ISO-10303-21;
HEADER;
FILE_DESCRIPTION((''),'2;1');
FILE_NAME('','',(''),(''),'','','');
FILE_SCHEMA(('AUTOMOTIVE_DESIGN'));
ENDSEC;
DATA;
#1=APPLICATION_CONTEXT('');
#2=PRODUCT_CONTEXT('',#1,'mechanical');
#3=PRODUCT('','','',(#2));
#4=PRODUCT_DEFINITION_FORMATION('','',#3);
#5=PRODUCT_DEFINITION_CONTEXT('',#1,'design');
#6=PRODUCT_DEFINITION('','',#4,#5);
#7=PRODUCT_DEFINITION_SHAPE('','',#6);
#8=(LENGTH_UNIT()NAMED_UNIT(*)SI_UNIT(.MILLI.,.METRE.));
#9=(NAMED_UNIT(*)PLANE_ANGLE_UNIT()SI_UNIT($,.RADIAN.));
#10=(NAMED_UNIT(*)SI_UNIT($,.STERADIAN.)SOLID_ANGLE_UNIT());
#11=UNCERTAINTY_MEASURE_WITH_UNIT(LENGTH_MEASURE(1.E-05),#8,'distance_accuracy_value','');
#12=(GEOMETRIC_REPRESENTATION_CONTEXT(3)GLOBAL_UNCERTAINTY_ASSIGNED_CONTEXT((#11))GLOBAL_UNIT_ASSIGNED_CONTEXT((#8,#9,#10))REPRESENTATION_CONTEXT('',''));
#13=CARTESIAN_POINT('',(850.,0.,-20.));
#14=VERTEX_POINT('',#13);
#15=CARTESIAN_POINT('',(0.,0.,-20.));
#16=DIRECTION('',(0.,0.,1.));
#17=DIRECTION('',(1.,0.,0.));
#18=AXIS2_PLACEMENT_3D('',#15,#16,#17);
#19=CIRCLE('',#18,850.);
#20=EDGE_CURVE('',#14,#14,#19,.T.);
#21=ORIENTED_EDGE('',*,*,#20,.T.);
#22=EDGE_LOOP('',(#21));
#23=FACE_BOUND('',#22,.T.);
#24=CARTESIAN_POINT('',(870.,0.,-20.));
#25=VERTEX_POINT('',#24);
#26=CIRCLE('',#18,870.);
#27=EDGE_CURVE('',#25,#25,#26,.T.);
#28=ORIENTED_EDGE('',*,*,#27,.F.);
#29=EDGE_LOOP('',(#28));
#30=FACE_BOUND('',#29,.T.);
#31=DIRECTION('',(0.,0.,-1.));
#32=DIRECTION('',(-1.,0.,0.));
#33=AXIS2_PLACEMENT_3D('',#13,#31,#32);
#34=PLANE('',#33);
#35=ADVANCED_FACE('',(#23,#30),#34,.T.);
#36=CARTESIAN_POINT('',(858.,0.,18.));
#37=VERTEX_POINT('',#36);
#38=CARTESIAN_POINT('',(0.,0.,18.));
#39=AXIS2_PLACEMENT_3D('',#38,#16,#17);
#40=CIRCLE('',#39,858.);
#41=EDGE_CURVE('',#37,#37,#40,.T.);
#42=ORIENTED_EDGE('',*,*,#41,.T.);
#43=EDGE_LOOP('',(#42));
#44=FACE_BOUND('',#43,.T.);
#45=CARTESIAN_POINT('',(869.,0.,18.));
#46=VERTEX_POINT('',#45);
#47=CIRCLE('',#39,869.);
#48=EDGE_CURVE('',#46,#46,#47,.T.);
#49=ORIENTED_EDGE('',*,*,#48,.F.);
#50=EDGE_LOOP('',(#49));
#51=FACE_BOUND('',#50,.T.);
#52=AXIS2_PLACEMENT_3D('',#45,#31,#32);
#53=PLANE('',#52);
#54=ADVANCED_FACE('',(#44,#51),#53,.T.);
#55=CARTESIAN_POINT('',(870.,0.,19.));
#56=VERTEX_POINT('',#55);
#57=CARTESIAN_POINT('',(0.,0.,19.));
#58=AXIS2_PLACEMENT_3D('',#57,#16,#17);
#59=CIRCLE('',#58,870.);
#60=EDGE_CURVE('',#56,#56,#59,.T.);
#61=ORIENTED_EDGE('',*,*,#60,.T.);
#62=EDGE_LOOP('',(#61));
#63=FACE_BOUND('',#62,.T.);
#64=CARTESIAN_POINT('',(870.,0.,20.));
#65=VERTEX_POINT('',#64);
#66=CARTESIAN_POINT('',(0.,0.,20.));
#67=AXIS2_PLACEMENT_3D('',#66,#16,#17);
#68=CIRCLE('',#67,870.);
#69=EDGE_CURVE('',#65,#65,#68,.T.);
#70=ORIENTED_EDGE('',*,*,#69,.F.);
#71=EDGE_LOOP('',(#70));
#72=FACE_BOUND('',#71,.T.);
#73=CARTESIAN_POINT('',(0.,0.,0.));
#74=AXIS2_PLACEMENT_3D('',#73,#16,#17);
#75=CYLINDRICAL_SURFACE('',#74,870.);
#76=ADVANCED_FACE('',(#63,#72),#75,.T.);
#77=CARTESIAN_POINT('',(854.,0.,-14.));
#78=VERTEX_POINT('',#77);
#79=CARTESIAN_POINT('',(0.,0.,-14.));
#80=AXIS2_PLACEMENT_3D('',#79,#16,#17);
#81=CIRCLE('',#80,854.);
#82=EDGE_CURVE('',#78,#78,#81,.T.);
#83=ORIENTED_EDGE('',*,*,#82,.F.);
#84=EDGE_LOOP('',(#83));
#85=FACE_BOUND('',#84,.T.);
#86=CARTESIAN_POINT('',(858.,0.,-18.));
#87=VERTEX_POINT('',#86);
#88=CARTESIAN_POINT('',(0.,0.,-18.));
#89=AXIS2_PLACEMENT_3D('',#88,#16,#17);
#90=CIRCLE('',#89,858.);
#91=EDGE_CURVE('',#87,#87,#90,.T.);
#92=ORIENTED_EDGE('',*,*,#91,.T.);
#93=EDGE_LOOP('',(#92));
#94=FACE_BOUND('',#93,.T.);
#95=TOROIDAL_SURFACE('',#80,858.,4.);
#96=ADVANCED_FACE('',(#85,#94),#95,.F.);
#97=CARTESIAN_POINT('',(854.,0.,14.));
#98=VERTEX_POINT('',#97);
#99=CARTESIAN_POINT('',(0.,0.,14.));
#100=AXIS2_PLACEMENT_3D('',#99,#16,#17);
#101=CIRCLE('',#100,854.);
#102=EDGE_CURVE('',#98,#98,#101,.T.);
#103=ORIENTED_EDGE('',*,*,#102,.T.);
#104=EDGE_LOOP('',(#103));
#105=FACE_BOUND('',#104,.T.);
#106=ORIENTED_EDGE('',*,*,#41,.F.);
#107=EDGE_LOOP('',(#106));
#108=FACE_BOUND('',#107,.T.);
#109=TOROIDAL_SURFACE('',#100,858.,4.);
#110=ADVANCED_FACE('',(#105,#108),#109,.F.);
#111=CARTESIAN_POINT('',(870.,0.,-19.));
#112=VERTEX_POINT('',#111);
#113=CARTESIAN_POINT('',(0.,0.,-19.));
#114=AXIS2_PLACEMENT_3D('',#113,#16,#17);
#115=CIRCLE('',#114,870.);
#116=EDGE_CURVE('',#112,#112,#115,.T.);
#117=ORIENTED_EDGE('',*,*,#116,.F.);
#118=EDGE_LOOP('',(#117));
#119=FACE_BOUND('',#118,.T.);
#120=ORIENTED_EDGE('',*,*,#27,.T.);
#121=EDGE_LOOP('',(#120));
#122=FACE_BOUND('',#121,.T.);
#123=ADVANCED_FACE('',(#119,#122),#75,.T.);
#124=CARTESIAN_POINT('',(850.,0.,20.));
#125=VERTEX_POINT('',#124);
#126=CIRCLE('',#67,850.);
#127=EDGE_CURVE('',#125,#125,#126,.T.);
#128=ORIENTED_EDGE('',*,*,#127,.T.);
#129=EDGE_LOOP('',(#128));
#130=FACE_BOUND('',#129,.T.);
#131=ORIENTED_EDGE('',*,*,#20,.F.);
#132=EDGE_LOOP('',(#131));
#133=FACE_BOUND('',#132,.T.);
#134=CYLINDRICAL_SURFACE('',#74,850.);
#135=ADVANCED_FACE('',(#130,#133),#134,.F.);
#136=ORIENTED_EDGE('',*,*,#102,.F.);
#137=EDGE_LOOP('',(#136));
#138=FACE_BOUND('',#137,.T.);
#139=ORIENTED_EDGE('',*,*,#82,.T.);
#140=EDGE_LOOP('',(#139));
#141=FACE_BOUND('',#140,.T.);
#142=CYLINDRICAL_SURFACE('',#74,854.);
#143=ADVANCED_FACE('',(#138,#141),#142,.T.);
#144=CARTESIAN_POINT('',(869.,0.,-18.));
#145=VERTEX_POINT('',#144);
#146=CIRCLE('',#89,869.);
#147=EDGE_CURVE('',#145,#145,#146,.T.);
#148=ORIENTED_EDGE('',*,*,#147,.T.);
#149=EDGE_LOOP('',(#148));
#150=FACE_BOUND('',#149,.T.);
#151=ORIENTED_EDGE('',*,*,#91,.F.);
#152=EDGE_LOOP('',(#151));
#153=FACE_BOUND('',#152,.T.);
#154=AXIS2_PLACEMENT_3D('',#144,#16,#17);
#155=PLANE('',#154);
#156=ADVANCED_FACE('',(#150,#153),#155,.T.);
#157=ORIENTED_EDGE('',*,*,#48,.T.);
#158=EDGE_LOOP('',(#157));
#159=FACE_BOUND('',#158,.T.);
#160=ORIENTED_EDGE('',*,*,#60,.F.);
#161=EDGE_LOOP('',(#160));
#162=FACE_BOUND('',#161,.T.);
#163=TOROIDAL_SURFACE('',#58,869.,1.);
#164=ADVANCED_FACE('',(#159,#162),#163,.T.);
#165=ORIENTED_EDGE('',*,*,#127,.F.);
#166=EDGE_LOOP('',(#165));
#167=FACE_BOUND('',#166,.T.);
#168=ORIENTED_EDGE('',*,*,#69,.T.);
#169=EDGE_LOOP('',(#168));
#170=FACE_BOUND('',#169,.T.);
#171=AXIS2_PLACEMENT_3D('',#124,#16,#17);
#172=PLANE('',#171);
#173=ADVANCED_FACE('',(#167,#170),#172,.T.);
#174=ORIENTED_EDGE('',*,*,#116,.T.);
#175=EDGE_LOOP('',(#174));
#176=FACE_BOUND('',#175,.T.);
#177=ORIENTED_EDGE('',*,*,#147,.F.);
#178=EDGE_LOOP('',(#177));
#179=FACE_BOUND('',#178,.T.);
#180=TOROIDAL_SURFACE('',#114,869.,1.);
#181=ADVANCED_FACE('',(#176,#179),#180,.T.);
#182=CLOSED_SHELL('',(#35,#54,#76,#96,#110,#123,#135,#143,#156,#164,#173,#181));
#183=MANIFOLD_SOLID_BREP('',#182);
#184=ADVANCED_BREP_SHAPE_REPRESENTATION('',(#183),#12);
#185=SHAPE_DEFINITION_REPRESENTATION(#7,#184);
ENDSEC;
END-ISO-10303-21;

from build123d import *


with BuildPart() as part:
    # Sketch1 → Revolve1 (revolve)
    with BuildSketch(Plane(origin=(0, 0, 0), x_dir=(1, 0, 0), z_dir=(0, 1, 0))):
        with BuildLine():
            Line((850, 0), (850, 20))
            Line((850, 20), (870, 20))
            Line((870, 20), (870, 19))
            ThreePointArc((870, 19), (869.707106781, 18.292893219), (869, 18))
            Line((869, 18), (858, 18))
            ThreePointArc((858, 18), (855.171572875, 16.828427125), (854, 14))
            Line((854, 14), (854, -14))
            ThreePointArc((854, -14), (855.171572875, -16.828427125), (858, -18))
            Line((858, -18), (869, -18))
            ThreePointArc((869, -18), (869.707106781, -18.292893219), (870, -19))
            Line((870, -19), (870, -20))
            Line((870, -20), (850, -20))
            Line((850, -20), (850, 0))
        make_face()
    revolve(axis=Axis((0, 0, 0), (0, 0, -1)))


solid = part.part
